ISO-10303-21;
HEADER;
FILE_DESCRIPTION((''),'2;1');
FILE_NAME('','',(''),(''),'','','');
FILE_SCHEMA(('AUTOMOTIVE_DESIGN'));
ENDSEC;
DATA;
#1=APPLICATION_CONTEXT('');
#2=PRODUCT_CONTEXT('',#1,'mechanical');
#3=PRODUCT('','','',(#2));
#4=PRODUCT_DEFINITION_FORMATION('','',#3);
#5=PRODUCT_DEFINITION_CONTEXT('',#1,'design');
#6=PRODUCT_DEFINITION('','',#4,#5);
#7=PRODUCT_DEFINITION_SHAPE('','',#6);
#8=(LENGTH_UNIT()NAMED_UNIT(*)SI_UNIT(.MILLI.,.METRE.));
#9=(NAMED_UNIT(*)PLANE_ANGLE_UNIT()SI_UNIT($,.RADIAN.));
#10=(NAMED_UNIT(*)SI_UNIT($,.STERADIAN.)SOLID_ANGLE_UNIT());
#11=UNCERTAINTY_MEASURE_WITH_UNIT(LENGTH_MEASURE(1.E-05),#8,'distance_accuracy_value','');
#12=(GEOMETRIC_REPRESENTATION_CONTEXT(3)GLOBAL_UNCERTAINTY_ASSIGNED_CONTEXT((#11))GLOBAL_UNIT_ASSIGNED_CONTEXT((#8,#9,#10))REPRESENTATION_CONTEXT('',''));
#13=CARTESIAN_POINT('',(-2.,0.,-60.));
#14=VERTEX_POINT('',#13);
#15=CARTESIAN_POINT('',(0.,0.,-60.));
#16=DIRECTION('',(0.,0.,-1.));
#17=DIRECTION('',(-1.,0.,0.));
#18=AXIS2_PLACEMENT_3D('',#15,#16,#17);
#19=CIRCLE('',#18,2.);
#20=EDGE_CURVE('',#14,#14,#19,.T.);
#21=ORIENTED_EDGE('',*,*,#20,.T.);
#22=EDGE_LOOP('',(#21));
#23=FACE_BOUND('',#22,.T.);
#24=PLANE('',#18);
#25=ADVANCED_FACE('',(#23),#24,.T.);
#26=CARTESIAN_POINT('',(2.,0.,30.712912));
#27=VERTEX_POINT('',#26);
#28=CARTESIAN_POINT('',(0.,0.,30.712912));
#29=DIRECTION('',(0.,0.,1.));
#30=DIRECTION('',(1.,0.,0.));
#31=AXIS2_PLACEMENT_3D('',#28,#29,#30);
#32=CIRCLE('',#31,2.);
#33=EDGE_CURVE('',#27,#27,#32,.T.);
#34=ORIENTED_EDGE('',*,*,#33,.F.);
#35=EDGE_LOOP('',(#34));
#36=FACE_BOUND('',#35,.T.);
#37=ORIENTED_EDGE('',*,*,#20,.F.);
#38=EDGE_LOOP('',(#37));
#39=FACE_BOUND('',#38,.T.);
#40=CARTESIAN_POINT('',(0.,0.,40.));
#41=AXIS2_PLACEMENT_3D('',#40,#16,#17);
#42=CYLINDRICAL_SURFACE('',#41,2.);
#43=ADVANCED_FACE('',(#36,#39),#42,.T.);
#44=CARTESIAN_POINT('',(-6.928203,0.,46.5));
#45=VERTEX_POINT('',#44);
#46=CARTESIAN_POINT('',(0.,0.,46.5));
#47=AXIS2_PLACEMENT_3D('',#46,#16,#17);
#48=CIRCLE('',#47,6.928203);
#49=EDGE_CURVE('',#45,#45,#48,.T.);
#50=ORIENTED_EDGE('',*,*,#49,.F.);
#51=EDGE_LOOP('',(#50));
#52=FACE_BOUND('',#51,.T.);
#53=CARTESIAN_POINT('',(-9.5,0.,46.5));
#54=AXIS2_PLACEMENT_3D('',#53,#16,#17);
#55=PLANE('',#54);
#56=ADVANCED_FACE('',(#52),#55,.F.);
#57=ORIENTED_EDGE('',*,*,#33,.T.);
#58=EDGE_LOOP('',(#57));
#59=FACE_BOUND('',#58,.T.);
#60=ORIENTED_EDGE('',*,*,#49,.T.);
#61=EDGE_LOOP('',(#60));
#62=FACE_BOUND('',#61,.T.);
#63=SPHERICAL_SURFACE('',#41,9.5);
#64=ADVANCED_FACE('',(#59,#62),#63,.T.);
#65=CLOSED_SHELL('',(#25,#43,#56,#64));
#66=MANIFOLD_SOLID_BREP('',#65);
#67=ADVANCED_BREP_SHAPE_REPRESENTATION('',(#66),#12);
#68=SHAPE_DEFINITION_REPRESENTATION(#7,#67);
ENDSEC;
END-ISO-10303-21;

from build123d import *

# Parameters (mm, degrees)
SKETCH1_R               = 2
BOSS_EXTRUDE1_DEPTH     = 40
BOSS_EXTRUDE2_START     = 60
SKETCH5_R               = 2
BOSS_EXTRUDE2_DEPTH     = 60
CUT_EXTRUDE1_DEPTH      = 62.485770712
CUT_EXTRUDE1_DEPTH_BACK = 62.485770712


with BuildPart() as part:
    # Sketch1 → Boss-Extrude1 (new body)
    with BuildSketch(Plane.XY):
        Circle(SKETCH1_R)
    extrude(amount=BOSS_EXTRUDE1_DEPTH)

    # Sketch2 → Revolve1 (revolve)
    with BuildSketch(Plane(origin=(0, 0, 0), x_dir=(1, 0, 0), z_dir=(0, 1, 0))):
        with BuildLine():
            Line((-9.5, -40), (9.5, -40))
            ThreePointArc((9.5, -40), (0, -30.5), (-9.5, -40))
        make_face()
    revolve(axis=Axis((-9.5, 0, 40), (1, 0, 0)))

    # Sketch5 → Boss-Extrude2 (add)
    with BuildSketch(Plane(origin=(0, 0, 0), x_dir=(-1, 0, 0), z_dir=(0, 0, -1)).offset(BOSS_EXTRUDE2_START)):
        Circle(SKETCH5_R)
    extrude(amount=-BOSS_EXTRUDE2_DEPTH)

    # Sketch6 → Cut-Extrude1 (cut, two sides: drawn at the far end of the back side and taken through both)
    with BuildSketch(Plane(origin=(0, 0, 0), x_dir=(0, 0, -1), z_dir=(1, 0, 0)).offset(-CUT_EXTRUDE1_DEPTH_BACK)):
        Polygon((-46.5, 0), (-46.5, 12.012765668), (-54.329815316, 12.012765668), (-54.329815316, -12.092015027), (-46.5, -12.092015027), align=None)
    extrude(amount=CUT_EXTRUDE1_DEPTH + CUT_EXTRUDE1_DEPTH_BACK, mode=Mode.SUBTRACT)


solid = part.part
